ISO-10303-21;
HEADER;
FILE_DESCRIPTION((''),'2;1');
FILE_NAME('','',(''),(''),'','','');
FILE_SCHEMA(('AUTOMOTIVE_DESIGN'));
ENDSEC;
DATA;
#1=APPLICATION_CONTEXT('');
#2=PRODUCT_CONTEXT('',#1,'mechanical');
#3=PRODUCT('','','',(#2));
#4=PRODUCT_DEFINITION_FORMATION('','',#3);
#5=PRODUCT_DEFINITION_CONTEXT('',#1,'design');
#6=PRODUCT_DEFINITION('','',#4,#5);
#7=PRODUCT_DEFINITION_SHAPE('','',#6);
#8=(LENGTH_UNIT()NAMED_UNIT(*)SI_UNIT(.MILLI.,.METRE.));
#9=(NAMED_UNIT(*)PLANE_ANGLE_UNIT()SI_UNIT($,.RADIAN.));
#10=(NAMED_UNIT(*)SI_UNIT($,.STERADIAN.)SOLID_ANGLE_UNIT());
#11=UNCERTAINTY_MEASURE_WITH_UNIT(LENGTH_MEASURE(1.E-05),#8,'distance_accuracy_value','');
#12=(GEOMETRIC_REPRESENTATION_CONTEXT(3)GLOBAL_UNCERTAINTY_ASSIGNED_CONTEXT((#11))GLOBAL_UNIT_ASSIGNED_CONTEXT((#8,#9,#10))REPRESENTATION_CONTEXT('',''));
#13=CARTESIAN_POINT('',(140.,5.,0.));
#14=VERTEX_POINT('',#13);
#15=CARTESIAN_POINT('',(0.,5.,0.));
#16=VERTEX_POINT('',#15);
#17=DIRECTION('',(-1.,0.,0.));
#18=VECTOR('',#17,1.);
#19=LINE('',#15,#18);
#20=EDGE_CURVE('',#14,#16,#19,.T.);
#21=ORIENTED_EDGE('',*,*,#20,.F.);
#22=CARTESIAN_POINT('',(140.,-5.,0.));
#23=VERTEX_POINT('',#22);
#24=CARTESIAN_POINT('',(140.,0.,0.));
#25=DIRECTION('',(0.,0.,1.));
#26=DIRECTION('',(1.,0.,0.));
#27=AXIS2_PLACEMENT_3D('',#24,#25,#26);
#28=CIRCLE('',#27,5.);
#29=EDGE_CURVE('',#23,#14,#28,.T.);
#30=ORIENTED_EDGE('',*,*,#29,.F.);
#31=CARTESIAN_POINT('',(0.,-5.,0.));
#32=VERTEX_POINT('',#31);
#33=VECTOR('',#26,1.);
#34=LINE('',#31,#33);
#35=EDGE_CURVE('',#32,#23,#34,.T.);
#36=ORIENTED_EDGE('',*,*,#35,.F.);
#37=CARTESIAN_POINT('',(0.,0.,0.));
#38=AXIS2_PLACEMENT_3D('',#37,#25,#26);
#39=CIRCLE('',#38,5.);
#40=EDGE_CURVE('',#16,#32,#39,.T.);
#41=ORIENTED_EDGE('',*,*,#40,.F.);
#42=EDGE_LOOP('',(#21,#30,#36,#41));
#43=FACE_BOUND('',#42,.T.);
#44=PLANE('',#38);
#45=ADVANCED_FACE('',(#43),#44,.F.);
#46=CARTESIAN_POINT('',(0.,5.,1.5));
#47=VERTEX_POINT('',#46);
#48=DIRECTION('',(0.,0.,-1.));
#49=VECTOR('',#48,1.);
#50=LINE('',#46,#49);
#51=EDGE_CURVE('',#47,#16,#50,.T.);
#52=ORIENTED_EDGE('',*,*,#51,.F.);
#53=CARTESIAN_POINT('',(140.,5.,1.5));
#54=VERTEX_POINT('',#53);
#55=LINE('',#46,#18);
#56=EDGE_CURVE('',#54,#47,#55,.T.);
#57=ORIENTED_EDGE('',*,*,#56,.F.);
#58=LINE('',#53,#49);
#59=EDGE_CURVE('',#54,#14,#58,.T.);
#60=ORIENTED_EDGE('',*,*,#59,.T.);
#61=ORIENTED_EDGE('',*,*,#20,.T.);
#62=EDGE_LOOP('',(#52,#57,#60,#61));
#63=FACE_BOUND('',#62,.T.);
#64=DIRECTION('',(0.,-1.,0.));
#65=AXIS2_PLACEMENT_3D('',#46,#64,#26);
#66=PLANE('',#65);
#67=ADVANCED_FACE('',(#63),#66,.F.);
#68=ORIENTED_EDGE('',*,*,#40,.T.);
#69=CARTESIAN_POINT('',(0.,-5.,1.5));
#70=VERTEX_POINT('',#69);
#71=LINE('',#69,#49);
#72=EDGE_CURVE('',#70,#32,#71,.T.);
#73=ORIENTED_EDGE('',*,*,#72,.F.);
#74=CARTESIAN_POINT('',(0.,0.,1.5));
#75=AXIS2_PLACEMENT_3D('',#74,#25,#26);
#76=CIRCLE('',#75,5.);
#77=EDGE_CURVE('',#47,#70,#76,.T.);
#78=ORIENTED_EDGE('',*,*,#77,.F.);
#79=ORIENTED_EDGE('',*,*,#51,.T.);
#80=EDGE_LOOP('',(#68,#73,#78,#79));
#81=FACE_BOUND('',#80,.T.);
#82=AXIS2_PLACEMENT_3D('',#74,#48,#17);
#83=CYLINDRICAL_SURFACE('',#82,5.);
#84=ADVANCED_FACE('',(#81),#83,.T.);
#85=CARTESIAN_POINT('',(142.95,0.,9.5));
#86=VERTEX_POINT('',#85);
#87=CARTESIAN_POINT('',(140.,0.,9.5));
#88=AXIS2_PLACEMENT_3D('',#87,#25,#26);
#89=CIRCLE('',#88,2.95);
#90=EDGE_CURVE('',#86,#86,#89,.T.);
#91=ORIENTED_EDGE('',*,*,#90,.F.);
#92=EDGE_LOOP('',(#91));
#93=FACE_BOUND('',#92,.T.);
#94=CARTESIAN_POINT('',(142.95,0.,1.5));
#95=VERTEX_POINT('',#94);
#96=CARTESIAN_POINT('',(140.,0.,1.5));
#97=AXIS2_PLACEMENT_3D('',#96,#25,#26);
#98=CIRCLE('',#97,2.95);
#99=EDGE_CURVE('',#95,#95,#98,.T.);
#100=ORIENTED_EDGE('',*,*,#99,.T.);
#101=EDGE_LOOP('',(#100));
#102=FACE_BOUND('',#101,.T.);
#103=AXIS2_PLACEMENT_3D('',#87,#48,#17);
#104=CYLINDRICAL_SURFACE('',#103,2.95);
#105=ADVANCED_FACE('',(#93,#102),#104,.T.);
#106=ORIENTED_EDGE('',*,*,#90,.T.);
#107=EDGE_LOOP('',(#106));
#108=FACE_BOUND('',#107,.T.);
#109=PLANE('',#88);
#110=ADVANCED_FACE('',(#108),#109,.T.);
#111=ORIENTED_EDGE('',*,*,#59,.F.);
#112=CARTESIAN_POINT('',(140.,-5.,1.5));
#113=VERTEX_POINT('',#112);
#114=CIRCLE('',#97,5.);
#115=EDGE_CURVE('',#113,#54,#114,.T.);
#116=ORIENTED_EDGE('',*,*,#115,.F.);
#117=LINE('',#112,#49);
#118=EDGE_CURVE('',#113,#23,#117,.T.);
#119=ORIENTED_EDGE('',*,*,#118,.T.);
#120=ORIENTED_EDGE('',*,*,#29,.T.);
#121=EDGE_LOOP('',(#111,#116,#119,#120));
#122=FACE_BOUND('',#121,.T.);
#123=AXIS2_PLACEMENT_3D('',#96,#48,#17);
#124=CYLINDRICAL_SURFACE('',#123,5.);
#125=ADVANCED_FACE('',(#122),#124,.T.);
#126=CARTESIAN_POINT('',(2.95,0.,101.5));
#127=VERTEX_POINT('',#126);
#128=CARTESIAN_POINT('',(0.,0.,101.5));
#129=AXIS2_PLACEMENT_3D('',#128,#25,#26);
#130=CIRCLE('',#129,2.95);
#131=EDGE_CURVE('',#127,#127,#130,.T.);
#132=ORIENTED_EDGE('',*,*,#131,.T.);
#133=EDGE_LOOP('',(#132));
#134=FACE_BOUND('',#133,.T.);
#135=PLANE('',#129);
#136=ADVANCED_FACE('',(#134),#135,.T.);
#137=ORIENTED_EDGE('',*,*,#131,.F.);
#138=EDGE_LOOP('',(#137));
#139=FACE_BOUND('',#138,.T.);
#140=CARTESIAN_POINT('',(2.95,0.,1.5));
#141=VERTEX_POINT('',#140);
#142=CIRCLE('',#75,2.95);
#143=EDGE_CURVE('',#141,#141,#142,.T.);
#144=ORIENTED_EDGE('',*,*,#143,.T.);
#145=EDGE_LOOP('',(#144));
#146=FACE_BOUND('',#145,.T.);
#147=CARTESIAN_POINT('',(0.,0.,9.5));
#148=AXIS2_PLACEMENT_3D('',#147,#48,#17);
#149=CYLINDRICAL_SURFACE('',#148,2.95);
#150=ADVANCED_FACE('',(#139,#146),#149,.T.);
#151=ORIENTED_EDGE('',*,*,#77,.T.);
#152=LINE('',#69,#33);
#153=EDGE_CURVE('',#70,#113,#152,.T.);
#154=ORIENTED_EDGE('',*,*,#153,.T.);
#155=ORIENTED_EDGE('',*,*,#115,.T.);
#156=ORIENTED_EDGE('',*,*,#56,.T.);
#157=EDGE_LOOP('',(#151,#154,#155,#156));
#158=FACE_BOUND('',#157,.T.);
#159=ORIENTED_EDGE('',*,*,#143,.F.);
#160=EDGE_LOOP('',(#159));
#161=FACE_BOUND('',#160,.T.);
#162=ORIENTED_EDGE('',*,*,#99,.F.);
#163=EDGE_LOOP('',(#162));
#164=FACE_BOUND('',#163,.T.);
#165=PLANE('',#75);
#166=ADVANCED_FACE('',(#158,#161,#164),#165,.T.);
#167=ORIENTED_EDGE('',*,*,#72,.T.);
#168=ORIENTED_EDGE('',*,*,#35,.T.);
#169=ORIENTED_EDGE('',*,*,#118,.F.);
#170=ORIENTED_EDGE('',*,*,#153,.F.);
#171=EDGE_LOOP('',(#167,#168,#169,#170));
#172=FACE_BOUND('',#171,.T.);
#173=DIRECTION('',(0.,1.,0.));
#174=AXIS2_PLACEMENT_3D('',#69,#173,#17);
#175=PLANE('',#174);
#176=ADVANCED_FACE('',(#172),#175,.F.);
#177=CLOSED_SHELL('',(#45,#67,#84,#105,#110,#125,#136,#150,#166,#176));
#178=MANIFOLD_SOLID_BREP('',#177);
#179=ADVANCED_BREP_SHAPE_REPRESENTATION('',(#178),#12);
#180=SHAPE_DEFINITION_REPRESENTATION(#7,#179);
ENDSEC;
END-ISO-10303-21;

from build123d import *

# Parameters (mm, degrees)
BOSS_EXTRUDE1_DEPTH = 1.5
SKETCH2_R           = 2.95
BOSS_EXTRUDE2_DEPTH = 8
SKETCH3_R           = 2.95
BOSS_EXTRUDE3_DEPTH = 92


with BuildPart() as part:
    # Sketch1 → Boss-Extrude1 (new body)
    with BuildSketch(Plane.XY):
        with BuildLine():
            Line((0, 5), (140, 5))
            ThreePointArc((140, 5), (145, 0), (140, -5))
            Line((140, -5), (0, -5))
            ThreePointArc((0, -5), (-5, 0), (0, 5))
        make_face()
    extrude(amount=BOSS_EXTRUDE1_DEPTH)

    # Sketch2 → Boss-Extrude2 (add)
    with BuildSketch(Plane.XY.offset(1.5)):
        Circle(SKETCH2_R)
        with Locations((140, 0)):
            Circle(SKETCH2_R)
    extrude(amount=BOSS_EXTRUDE2_DEPTH)

    # Sketch3 → Boss-Extrude3 (add)
    with BuildSketch(Plane.XY.offset(9.5)):
        Circle(SKETCH3_R)
    extrude(amount=BOSS_EXTRUDE3_DEPTH)


solid = part.part
